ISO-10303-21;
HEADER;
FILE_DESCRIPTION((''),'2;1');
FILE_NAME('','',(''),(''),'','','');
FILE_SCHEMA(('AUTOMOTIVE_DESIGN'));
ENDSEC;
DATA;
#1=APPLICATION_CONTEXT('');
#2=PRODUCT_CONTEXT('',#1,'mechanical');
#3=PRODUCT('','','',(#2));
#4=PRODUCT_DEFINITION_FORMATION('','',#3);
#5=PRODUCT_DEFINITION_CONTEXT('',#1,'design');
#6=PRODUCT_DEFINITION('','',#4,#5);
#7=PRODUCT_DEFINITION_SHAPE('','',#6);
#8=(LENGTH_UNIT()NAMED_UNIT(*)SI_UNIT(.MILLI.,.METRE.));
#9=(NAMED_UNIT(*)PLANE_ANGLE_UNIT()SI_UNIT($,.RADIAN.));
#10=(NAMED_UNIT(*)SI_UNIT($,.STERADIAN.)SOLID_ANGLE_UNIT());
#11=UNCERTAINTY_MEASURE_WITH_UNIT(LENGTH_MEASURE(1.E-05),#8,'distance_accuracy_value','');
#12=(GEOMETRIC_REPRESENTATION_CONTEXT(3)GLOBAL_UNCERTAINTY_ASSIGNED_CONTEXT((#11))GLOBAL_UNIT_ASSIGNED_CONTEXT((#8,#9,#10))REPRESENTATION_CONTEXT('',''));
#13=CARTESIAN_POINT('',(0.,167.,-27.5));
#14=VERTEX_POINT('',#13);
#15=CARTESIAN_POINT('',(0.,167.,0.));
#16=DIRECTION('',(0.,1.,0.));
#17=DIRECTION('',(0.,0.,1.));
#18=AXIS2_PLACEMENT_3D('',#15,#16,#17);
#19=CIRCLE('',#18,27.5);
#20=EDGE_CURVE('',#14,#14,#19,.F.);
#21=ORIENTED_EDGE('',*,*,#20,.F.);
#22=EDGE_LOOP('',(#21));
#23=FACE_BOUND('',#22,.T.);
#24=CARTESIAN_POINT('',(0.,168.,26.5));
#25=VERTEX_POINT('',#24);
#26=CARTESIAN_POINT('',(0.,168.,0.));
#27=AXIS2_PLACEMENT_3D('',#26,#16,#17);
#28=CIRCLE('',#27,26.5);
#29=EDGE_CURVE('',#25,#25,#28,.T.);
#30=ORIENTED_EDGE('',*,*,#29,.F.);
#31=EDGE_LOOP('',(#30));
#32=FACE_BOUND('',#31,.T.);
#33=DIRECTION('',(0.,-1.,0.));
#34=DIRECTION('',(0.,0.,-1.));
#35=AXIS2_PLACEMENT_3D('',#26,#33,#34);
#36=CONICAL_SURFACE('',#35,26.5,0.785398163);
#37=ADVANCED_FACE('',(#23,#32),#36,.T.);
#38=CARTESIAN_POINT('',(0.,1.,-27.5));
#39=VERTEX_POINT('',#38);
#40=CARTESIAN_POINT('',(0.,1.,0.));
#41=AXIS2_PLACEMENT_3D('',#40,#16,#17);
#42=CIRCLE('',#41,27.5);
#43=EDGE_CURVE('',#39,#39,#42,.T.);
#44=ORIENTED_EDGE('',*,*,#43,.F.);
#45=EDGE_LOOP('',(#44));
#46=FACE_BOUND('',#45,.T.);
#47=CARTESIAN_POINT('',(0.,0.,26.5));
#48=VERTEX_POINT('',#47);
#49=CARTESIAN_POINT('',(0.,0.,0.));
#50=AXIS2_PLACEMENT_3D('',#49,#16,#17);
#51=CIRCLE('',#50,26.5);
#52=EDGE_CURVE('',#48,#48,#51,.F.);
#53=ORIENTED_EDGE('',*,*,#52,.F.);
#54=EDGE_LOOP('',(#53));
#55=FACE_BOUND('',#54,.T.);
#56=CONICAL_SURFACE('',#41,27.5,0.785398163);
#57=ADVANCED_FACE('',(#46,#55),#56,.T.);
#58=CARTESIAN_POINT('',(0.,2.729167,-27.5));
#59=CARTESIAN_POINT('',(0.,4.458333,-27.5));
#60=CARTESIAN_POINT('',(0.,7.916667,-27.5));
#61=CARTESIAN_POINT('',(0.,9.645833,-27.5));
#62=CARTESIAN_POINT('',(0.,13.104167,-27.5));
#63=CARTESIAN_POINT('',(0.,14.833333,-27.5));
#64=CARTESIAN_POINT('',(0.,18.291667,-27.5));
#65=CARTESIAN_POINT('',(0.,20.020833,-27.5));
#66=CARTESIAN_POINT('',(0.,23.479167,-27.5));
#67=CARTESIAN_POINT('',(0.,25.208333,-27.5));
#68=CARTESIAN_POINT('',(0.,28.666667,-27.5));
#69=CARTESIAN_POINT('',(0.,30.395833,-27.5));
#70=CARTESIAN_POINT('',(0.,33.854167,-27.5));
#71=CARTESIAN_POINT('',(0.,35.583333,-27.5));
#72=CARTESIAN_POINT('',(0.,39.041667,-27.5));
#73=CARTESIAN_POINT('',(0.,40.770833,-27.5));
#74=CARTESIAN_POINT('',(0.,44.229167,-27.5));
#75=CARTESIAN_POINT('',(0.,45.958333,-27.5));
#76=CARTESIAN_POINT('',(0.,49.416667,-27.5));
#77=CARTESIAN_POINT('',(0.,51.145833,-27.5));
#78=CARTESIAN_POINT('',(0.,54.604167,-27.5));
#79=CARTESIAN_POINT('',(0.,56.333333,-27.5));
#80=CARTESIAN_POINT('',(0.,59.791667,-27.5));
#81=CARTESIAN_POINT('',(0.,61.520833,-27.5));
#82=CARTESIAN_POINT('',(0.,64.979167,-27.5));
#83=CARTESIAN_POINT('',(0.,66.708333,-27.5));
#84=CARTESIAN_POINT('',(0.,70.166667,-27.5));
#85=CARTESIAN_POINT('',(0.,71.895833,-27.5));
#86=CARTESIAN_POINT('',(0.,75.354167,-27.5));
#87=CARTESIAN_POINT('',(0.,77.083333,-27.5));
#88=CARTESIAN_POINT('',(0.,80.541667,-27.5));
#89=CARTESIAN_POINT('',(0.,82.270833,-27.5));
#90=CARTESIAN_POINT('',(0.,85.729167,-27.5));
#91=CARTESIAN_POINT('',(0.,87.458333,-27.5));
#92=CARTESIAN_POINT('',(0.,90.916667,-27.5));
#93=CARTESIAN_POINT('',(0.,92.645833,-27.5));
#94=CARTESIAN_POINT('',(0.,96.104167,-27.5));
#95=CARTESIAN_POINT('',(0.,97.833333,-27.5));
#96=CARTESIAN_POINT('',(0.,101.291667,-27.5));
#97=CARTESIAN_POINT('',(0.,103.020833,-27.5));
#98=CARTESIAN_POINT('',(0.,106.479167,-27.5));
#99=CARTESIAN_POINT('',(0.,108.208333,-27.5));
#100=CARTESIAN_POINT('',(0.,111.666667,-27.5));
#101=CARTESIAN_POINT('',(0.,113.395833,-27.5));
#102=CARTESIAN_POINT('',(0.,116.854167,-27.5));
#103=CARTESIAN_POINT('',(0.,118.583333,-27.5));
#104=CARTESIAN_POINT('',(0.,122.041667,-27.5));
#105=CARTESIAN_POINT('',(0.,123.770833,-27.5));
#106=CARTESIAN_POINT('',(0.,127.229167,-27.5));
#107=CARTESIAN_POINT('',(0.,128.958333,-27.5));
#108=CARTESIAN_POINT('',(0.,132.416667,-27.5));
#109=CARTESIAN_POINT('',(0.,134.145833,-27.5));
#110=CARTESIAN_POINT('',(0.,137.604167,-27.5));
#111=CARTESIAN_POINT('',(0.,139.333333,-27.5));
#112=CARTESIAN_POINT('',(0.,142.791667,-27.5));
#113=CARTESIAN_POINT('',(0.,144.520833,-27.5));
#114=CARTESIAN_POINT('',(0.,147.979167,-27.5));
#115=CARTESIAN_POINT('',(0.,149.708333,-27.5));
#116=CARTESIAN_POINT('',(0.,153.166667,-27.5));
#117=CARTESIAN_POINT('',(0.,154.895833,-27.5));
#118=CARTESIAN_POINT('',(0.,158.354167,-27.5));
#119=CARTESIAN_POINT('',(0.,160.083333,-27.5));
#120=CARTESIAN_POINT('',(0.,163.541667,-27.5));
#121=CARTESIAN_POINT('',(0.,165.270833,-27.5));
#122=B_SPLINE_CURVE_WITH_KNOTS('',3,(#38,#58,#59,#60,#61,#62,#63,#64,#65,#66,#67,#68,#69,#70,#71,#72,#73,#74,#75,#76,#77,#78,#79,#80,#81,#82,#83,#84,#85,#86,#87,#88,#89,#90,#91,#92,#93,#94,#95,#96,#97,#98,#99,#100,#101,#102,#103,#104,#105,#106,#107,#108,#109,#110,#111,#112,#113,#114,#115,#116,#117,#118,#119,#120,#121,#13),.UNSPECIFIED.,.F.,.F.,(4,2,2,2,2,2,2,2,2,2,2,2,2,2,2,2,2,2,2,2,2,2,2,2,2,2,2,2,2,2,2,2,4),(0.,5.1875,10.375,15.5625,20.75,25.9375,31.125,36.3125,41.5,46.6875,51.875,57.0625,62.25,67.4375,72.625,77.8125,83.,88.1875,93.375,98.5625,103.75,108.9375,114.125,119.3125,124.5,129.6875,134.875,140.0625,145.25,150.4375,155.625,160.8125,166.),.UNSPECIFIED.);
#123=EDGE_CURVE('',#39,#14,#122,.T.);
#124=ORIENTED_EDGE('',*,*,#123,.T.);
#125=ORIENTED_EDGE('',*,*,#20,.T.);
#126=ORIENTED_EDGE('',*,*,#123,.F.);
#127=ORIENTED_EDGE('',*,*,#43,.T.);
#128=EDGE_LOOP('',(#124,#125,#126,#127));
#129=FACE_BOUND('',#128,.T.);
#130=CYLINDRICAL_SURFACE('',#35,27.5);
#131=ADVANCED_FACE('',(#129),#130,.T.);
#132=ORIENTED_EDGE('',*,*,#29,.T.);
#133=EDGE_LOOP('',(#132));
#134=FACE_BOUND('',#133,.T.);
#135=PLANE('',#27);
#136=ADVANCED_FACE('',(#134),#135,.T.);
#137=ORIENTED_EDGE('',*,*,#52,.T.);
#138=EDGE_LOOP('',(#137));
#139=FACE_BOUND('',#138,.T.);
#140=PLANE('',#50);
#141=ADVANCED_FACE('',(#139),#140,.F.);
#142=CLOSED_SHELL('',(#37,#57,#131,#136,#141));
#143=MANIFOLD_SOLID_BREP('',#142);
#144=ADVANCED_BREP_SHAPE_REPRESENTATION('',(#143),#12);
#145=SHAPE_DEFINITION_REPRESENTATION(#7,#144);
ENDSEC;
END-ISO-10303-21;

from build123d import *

# Parameters (mm, degrees)
SKETCH_1_R      = 27.5
EXTRUDE_1_DEPTH = 168
CHAMFER_1_SIZE  = 1


with BuildPart() as part:
    # 草图1 → 凸台-拉伸1 (new body)
    with BuildSketch(Plane(origin=(0, 0, 0), x_dir=(1, 0, 0), z_dir=(0, 1, 0))):
        with Locations(Location((0, 0, 0), (0, 0, 90))):
            Circle(SKETCH_1_R)
    extrude(amount=EXTRUDE_1_DEPTH)

    # 倒角1
    chamfer_1_edges = [part.edges().sort_by_distance(p)[0] for p in [
        (0, 0, 27.5),
        (0, 168, 27.5),
    ]]
    chamfer(chamfer_1_edges, length=CHAMFER_1_SIZE)


solid = part.part
